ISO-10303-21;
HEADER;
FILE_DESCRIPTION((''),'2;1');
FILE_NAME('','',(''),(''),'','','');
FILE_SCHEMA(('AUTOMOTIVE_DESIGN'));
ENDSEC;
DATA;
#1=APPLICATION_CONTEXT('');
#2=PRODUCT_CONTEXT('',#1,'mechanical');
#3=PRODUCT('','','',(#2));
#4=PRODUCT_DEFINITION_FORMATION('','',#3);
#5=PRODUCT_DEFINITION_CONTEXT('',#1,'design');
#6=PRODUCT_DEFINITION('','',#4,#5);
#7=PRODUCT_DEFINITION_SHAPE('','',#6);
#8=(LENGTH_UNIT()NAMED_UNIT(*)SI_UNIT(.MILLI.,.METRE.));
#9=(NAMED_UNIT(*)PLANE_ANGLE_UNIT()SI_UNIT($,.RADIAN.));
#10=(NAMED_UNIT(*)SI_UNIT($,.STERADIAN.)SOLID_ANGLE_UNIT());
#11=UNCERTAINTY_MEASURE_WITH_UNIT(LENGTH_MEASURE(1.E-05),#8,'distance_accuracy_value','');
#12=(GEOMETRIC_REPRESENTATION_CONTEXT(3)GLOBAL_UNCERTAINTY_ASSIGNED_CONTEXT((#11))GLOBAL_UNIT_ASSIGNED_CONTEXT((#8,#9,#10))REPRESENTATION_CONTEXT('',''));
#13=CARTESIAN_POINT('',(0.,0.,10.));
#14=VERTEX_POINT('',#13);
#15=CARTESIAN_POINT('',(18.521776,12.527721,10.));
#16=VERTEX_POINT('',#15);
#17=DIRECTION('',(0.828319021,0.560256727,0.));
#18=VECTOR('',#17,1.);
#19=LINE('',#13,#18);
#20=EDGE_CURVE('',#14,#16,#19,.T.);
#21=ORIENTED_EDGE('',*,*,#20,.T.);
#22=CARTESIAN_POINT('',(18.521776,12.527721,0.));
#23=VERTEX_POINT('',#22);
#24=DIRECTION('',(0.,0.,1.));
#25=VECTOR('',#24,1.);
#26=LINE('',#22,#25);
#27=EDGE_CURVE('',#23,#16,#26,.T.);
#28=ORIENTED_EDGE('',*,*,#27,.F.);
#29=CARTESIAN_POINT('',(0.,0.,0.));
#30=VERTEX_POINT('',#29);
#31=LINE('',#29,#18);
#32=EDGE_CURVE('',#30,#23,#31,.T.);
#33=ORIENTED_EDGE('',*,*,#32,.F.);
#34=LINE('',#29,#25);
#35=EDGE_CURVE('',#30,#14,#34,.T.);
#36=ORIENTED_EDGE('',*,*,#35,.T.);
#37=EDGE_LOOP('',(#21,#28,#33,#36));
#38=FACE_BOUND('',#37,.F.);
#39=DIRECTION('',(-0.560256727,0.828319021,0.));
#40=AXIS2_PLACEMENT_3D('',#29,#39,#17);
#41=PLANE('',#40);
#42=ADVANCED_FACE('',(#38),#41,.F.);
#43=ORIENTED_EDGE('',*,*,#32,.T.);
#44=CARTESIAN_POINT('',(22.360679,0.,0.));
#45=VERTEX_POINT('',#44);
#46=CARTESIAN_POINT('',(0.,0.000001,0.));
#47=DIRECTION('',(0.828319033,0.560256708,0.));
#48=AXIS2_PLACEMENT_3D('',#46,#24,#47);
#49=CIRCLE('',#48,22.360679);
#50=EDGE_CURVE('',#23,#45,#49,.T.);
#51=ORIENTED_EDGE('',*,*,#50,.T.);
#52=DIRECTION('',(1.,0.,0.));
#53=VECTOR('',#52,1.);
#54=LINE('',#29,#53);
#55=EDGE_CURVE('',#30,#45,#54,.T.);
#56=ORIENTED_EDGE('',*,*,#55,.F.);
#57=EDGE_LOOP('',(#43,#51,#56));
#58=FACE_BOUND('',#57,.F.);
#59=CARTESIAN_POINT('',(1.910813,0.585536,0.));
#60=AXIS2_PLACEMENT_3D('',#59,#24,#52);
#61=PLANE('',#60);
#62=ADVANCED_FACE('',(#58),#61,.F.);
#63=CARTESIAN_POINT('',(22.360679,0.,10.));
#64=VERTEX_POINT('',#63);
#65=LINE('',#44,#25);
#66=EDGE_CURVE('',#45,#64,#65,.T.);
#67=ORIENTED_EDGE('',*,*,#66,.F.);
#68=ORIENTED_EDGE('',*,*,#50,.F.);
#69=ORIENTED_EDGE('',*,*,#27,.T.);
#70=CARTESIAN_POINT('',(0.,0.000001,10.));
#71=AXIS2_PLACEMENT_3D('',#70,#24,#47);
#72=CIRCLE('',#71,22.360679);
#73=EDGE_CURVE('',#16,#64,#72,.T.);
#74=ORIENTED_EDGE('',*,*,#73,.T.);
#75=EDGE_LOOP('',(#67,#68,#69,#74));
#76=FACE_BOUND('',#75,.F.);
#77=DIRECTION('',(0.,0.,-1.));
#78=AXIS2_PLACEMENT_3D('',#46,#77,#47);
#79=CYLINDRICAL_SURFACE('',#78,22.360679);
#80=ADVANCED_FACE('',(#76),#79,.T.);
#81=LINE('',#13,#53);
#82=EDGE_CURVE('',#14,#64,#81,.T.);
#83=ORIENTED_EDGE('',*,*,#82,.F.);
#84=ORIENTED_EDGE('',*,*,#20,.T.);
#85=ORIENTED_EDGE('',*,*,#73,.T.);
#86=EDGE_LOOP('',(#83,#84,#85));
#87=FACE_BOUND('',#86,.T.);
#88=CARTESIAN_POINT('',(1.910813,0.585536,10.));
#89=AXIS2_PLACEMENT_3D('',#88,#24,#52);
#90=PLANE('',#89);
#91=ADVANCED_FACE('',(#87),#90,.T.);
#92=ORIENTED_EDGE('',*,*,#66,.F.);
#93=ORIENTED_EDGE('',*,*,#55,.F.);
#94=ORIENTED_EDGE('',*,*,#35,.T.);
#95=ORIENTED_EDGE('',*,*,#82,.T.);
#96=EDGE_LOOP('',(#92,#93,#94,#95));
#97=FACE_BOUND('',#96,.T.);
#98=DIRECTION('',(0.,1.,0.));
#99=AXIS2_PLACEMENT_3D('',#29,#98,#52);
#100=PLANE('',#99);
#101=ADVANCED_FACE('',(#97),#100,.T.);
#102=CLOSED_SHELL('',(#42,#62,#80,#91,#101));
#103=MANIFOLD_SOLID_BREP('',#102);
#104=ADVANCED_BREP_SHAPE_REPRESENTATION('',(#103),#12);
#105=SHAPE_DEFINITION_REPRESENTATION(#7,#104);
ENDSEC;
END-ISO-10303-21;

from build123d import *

# Parameters (mm, degrees)
PAD_DEPTH = 10


with BuildPart() as part:
    # Sketch → Pad (new body)
    with BuildSketch(Plane.XY):
        with BuildLine():
            ThreePointArc((18.521776, 12.527721), (-21.379423, -6.551354), (22.360679, 0))
            Line((0, 0), (22.360679, 0))
            Line((0, 0), (18.521776, 12.527721))
        make_face()
    extrude(amount=PAD_DEPTH)


solid = part.part
